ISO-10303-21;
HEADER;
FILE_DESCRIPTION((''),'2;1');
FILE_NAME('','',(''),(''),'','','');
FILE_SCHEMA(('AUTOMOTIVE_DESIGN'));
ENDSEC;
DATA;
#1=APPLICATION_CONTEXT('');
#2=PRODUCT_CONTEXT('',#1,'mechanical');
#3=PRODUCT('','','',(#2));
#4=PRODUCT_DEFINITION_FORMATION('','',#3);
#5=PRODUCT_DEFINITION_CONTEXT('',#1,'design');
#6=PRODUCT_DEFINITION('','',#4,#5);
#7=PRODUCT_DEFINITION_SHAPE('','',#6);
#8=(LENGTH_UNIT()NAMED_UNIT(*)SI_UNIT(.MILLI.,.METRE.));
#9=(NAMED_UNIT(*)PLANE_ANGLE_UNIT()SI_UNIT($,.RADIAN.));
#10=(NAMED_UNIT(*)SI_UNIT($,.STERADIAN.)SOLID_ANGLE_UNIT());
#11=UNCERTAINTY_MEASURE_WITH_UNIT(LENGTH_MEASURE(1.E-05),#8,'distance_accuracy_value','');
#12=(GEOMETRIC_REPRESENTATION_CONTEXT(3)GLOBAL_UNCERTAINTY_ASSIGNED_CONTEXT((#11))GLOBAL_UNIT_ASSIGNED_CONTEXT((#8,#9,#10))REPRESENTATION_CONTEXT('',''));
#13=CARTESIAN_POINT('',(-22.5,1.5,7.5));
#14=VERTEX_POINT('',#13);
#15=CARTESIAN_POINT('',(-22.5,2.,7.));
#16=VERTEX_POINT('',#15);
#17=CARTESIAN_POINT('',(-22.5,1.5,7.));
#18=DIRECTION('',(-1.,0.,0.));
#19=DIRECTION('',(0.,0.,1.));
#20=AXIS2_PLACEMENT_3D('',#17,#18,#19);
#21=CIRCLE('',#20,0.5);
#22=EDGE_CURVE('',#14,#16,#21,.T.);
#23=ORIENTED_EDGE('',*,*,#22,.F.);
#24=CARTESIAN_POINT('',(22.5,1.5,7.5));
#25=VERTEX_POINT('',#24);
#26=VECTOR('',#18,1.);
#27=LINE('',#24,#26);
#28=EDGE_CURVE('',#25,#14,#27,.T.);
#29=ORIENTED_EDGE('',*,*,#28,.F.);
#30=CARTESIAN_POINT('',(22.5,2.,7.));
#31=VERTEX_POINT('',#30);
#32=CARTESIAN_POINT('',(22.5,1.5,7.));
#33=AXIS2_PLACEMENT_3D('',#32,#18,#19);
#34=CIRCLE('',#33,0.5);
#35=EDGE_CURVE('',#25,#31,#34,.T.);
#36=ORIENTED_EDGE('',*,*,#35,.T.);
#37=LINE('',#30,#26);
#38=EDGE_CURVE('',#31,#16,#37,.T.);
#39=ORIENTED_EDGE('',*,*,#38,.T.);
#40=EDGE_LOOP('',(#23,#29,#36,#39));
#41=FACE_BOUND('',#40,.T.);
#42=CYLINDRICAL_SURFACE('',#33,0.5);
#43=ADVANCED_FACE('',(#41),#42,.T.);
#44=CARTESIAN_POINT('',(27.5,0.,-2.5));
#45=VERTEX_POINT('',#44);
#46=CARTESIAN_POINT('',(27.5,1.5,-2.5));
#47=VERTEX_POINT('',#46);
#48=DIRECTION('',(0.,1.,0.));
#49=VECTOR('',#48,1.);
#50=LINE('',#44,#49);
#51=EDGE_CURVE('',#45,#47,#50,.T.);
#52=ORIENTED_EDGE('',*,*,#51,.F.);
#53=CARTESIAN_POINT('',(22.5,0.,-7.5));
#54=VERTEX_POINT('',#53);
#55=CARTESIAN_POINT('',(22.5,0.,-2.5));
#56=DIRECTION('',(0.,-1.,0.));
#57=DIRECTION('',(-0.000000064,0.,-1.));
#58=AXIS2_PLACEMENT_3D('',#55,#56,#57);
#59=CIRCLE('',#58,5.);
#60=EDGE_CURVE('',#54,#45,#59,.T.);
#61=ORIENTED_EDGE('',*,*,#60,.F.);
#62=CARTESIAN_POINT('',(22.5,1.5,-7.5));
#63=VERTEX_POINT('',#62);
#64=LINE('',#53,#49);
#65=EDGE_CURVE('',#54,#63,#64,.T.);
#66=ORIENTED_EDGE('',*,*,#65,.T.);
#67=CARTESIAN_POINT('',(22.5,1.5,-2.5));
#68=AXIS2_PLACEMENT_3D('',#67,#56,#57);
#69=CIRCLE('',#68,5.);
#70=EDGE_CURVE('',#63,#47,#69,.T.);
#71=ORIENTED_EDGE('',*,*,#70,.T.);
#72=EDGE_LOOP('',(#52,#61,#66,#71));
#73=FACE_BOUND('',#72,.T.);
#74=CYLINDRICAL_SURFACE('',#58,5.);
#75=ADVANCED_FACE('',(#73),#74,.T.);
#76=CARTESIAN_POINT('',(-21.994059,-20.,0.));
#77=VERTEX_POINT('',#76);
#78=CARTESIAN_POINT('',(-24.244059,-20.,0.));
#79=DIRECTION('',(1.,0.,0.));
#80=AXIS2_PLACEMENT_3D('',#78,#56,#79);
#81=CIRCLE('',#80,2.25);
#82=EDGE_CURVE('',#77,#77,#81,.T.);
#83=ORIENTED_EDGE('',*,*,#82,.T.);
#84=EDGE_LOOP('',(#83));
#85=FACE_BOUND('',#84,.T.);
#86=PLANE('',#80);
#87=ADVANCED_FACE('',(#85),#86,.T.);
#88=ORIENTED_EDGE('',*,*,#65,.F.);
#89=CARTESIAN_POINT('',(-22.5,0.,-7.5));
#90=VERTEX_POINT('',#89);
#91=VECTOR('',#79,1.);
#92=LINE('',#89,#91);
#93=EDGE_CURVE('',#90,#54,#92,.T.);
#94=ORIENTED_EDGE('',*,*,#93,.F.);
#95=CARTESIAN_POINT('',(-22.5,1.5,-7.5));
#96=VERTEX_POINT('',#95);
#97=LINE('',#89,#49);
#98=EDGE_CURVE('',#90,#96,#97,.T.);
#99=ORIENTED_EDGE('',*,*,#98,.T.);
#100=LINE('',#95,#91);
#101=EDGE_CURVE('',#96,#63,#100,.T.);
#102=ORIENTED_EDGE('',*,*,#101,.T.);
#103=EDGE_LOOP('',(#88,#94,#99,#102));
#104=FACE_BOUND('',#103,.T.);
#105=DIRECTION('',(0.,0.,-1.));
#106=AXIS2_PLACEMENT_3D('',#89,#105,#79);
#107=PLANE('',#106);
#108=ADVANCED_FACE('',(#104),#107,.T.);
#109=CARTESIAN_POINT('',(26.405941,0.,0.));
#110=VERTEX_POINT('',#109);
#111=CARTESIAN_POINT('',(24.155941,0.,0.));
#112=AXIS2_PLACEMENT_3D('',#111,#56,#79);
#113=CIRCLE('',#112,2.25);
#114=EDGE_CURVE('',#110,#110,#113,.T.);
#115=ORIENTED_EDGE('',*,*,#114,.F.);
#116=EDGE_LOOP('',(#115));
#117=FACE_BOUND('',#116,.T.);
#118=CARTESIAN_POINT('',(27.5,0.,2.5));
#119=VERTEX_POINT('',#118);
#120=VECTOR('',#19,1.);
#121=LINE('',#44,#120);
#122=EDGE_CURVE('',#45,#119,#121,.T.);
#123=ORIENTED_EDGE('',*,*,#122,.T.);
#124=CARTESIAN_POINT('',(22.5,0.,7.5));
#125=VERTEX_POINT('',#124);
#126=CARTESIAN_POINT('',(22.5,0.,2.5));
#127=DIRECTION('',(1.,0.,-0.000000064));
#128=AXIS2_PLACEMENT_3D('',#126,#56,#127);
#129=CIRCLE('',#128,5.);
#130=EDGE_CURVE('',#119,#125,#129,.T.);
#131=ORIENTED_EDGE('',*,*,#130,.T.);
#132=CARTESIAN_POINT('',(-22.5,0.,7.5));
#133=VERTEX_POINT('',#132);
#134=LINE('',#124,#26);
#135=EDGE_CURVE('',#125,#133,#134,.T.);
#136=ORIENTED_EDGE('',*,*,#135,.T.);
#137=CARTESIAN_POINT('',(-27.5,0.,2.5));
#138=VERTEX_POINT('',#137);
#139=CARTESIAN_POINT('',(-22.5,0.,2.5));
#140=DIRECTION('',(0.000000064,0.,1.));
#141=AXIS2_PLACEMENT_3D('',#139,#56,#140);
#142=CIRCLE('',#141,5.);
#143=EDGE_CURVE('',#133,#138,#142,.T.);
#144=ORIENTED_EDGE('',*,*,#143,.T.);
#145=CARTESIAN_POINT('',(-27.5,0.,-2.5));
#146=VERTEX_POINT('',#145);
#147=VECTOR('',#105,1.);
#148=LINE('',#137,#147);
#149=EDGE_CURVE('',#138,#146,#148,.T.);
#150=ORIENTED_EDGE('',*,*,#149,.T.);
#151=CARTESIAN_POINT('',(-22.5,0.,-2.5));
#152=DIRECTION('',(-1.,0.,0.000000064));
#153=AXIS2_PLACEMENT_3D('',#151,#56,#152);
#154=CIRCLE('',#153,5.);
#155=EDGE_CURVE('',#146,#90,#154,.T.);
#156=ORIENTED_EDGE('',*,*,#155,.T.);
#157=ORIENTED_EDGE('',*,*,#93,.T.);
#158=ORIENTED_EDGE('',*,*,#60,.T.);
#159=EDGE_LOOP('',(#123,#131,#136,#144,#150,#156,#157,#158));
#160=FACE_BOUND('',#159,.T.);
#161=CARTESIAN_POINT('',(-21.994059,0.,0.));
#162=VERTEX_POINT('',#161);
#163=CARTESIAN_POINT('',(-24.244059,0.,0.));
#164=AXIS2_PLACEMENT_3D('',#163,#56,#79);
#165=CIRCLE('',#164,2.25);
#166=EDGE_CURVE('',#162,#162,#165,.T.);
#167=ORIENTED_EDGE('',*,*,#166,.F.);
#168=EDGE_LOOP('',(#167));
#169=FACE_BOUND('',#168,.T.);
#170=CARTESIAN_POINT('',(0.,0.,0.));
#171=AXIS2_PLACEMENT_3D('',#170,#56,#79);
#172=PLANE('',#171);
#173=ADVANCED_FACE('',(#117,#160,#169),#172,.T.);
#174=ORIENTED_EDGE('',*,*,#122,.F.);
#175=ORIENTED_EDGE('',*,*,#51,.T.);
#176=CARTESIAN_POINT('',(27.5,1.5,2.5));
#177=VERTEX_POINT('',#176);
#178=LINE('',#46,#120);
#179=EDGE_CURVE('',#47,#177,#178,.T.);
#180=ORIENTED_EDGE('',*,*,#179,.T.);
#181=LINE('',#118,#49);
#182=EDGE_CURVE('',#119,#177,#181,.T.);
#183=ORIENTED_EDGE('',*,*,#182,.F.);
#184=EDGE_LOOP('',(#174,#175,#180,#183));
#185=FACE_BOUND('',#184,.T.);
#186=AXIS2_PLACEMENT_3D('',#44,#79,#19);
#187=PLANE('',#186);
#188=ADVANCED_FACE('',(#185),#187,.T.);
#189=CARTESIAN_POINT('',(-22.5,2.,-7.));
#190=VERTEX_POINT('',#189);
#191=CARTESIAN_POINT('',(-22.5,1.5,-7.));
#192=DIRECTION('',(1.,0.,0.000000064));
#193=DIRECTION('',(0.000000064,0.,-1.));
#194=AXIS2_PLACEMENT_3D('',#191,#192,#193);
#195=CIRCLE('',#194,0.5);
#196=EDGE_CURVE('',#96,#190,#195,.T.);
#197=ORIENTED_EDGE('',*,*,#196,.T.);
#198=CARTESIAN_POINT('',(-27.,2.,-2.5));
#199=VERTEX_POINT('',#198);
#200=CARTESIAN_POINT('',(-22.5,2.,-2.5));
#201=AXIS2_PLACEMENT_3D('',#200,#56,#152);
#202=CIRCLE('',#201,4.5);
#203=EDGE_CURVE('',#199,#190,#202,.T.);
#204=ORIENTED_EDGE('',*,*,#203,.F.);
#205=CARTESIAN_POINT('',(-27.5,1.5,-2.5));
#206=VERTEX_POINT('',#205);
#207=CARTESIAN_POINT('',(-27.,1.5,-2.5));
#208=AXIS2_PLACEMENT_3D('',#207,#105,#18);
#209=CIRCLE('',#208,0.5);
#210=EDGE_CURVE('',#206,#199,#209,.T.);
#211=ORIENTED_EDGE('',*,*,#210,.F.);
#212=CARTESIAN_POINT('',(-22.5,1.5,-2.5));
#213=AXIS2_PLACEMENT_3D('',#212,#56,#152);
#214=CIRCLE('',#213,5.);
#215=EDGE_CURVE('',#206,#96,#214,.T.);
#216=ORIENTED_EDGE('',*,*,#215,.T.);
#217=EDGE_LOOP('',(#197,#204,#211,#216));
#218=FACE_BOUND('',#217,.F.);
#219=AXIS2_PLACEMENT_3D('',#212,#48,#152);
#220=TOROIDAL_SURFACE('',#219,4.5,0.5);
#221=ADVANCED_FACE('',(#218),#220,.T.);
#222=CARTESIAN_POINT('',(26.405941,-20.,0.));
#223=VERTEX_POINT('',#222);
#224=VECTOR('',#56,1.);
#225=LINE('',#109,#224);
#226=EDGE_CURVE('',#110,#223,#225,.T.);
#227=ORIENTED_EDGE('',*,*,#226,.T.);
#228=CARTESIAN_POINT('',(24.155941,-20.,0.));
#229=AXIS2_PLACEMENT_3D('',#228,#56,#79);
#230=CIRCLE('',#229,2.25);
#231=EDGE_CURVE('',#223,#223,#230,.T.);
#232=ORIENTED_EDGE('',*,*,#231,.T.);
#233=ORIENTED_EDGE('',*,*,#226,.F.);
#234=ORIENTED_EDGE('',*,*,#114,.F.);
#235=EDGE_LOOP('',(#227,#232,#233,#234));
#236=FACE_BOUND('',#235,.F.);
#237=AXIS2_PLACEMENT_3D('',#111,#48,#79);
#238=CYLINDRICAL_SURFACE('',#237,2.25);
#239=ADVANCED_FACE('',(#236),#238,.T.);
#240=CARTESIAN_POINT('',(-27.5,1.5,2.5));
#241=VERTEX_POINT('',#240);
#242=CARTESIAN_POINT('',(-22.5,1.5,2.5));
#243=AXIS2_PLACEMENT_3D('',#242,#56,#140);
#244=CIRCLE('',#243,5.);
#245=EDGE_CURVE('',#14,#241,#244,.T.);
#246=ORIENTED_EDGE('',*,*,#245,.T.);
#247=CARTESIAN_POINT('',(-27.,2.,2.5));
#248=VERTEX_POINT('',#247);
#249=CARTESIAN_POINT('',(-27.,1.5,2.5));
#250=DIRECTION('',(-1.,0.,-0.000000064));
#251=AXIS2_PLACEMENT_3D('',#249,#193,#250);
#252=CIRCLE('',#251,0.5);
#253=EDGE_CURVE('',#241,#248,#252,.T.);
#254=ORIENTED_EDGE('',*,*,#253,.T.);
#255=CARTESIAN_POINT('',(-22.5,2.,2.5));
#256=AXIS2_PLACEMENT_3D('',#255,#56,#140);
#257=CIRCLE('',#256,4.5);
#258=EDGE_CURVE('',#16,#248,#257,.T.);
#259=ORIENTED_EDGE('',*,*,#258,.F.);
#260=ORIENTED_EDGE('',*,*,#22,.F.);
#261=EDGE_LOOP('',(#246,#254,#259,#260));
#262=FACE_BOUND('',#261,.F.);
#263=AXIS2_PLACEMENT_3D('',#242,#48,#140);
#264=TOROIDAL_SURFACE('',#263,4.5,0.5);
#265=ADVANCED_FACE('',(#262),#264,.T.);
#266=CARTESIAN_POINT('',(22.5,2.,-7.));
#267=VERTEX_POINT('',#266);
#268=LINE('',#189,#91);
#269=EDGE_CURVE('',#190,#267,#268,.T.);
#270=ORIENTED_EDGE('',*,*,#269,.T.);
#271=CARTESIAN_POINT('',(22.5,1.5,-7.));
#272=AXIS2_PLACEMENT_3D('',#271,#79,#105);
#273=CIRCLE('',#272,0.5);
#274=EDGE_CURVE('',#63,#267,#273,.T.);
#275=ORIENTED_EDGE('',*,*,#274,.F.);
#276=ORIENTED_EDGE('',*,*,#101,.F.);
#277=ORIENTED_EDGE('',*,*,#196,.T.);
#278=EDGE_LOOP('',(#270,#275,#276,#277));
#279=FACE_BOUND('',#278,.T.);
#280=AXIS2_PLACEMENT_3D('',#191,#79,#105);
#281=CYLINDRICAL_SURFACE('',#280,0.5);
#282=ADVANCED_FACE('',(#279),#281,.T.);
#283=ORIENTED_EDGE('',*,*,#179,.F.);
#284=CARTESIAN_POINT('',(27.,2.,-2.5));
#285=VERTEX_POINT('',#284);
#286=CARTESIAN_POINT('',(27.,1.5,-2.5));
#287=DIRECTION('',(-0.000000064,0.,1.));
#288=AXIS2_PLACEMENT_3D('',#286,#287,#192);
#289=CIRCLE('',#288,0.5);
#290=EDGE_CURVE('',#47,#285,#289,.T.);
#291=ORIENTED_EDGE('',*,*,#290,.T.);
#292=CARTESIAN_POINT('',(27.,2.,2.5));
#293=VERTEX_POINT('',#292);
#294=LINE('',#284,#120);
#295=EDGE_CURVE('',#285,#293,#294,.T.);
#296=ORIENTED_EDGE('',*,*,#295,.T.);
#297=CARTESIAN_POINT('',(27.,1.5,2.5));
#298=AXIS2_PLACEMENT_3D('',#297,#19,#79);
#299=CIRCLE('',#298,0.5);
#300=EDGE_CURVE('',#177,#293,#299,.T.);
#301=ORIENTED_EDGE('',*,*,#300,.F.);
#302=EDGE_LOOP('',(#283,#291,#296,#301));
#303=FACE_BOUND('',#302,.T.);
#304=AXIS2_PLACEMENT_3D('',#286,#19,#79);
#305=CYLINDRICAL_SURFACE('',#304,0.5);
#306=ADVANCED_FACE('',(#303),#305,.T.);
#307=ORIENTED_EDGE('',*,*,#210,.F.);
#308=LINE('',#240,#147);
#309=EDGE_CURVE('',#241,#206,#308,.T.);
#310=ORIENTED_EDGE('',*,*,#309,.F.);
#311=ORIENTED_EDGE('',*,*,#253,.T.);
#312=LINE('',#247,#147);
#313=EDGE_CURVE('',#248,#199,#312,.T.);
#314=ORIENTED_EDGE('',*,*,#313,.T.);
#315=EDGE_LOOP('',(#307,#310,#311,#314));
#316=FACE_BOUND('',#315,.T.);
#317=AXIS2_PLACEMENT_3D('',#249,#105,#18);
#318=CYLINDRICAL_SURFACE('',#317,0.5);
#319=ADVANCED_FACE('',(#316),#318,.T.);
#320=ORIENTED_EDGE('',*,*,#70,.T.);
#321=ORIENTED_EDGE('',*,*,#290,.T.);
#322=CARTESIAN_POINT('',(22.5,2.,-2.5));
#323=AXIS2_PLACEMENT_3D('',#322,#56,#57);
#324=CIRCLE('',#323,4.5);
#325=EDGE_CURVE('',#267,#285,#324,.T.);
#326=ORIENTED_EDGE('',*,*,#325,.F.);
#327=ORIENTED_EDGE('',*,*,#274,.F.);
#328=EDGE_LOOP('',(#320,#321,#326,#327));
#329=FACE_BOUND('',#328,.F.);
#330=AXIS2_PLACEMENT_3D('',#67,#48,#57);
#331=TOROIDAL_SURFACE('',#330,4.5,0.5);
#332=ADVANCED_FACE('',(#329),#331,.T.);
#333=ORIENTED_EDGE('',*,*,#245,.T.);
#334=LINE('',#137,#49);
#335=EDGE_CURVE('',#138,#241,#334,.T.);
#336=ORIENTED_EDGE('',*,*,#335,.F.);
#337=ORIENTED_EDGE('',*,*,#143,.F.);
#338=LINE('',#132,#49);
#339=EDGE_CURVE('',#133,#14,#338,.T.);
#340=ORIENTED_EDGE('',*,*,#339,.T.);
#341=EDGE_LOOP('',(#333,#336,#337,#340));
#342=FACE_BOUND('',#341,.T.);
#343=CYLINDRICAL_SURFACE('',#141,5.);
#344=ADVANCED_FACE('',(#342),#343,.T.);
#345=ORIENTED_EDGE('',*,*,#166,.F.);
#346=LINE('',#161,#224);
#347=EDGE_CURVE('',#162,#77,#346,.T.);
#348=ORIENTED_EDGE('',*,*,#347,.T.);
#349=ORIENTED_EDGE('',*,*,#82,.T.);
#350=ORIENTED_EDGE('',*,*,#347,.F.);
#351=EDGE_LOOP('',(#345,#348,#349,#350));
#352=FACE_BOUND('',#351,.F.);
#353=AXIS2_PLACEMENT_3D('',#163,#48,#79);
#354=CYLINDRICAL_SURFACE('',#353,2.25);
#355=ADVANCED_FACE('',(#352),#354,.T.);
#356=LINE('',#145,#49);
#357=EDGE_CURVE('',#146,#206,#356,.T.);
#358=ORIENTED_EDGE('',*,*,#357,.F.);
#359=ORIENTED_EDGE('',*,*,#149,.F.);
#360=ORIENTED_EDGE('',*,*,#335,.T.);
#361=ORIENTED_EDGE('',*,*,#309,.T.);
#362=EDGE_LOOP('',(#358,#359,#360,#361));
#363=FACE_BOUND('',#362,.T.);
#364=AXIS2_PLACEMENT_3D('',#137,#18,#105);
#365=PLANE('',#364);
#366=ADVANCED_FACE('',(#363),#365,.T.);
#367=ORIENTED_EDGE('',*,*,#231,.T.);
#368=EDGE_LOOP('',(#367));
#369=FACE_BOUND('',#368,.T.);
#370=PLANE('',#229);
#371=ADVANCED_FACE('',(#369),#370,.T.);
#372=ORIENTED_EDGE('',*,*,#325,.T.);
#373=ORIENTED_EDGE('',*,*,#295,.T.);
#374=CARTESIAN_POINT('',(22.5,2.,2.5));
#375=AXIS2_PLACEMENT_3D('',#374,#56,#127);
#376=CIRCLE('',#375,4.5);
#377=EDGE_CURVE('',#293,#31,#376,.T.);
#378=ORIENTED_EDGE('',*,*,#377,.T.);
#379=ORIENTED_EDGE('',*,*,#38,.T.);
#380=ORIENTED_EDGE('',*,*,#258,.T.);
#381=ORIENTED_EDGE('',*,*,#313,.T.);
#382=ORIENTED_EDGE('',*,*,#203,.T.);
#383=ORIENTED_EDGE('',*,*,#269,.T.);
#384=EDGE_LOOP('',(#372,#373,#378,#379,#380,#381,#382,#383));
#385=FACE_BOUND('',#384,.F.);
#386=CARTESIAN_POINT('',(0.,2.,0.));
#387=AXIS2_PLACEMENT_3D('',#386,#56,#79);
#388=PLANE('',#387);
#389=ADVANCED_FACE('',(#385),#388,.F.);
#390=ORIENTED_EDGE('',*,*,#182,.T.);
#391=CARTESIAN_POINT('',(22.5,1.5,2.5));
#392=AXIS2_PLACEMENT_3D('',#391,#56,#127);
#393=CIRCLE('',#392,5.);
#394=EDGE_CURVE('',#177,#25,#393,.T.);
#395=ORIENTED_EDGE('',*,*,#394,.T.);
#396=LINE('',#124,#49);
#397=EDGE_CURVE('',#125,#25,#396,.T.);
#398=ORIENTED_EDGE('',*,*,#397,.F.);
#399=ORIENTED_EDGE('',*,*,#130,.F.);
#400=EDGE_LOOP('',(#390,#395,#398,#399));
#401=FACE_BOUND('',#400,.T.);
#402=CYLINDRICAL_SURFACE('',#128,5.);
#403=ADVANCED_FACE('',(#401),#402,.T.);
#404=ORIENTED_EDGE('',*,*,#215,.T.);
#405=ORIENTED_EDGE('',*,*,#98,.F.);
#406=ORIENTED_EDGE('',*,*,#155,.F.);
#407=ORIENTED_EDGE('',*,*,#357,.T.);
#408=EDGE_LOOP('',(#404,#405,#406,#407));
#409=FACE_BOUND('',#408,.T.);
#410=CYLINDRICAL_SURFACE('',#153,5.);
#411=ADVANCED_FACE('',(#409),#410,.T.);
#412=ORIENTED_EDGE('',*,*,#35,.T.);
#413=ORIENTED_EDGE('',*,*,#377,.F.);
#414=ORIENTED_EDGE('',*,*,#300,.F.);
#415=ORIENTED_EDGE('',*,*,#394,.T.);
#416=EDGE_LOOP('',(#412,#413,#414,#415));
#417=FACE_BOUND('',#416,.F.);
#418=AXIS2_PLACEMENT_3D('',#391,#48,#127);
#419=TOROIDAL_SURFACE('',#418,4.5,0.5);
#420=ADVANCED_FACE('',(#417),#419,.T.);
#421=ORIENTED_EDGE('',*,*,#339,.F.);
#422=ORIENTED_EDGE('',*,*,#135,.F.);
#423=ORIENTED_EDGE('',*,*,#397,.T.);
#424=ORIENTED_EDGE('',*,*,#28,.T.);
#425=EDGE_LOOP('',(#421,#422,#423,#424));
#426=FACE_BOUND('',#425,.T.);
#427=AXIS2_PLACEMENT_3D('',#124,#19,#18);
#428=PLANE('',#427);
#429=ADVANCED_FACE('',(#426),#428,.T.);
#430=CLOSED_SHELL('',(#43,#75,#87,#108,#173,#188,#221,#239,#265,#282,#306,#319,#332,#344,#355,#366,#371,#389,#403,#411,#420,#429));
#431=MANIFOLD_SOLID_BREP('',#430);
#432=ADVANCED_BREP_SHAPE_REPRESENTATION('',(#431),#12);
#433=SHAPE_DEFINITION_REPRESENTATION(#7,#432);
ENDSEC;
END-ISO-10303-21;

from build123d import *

# Parameters (mm, degrees)
F1_DEPTH = 2
F2_R     = 0.5
F3_R     = 2.25
F4_DEPTH = 20


with BuildPart() as f1:
    # F0 (on Front) → F1 (new body)
    with BuildSketch(Plane.XZ):
        with BuildLine():
            Line((22.5, 7.5), (-22.5, 7.5))
            ThreePointArc((-22.5, 7.5), (-26.035534, 6.035534), (-27.5, 2.5))
            Line((-27.5, 2.5), (-27.5, -2.5))
            ThreePointArc((-27.5, -2.5), (-26.035534, -6.035534), (-22.5, -7.5))
            Line((-22.5, -7.5), (22.5, -7.5))
            ThreePointArc((22.5, -7.5), (26.035534, -6.035534), (27.5, -2.5))
            Line((27.5, -2.5), (27.5, 2.5))
            ThreePointArc((27.5, 2.5), (26.035534, 6.035534), (22.5, 7.5))
        make_face()
    extrude(amount=-F1_DEPTH)

    # F2
    f2_edges = [f1.edges().sort_by_distance(p)[0] for p in [
        (0, 2, 7.5),
        (-26.035534, 2, 6.035534),
        (-27.5, 2, 0),
        (-26.035534, 2, -6.035534),
        (0, 2, -7.5),
        (26.035534, 2, -6.035534),
        (27.5, 2, 0),
        (26.035534, 2, 6.035534),
    ]]
    fillet(f2_edges, radius=F2_R)

    # F3 (on face) → F4 (join)
    with BuildSketch(Plane.XZ):
        with Locations((24.155941, 0)):
            Circle(F3_R)
        with Locations((-24.244059, 0)):
            Circle(F3_R)
    extrude(amount=F4_DEPTH)


solid = f1.part
